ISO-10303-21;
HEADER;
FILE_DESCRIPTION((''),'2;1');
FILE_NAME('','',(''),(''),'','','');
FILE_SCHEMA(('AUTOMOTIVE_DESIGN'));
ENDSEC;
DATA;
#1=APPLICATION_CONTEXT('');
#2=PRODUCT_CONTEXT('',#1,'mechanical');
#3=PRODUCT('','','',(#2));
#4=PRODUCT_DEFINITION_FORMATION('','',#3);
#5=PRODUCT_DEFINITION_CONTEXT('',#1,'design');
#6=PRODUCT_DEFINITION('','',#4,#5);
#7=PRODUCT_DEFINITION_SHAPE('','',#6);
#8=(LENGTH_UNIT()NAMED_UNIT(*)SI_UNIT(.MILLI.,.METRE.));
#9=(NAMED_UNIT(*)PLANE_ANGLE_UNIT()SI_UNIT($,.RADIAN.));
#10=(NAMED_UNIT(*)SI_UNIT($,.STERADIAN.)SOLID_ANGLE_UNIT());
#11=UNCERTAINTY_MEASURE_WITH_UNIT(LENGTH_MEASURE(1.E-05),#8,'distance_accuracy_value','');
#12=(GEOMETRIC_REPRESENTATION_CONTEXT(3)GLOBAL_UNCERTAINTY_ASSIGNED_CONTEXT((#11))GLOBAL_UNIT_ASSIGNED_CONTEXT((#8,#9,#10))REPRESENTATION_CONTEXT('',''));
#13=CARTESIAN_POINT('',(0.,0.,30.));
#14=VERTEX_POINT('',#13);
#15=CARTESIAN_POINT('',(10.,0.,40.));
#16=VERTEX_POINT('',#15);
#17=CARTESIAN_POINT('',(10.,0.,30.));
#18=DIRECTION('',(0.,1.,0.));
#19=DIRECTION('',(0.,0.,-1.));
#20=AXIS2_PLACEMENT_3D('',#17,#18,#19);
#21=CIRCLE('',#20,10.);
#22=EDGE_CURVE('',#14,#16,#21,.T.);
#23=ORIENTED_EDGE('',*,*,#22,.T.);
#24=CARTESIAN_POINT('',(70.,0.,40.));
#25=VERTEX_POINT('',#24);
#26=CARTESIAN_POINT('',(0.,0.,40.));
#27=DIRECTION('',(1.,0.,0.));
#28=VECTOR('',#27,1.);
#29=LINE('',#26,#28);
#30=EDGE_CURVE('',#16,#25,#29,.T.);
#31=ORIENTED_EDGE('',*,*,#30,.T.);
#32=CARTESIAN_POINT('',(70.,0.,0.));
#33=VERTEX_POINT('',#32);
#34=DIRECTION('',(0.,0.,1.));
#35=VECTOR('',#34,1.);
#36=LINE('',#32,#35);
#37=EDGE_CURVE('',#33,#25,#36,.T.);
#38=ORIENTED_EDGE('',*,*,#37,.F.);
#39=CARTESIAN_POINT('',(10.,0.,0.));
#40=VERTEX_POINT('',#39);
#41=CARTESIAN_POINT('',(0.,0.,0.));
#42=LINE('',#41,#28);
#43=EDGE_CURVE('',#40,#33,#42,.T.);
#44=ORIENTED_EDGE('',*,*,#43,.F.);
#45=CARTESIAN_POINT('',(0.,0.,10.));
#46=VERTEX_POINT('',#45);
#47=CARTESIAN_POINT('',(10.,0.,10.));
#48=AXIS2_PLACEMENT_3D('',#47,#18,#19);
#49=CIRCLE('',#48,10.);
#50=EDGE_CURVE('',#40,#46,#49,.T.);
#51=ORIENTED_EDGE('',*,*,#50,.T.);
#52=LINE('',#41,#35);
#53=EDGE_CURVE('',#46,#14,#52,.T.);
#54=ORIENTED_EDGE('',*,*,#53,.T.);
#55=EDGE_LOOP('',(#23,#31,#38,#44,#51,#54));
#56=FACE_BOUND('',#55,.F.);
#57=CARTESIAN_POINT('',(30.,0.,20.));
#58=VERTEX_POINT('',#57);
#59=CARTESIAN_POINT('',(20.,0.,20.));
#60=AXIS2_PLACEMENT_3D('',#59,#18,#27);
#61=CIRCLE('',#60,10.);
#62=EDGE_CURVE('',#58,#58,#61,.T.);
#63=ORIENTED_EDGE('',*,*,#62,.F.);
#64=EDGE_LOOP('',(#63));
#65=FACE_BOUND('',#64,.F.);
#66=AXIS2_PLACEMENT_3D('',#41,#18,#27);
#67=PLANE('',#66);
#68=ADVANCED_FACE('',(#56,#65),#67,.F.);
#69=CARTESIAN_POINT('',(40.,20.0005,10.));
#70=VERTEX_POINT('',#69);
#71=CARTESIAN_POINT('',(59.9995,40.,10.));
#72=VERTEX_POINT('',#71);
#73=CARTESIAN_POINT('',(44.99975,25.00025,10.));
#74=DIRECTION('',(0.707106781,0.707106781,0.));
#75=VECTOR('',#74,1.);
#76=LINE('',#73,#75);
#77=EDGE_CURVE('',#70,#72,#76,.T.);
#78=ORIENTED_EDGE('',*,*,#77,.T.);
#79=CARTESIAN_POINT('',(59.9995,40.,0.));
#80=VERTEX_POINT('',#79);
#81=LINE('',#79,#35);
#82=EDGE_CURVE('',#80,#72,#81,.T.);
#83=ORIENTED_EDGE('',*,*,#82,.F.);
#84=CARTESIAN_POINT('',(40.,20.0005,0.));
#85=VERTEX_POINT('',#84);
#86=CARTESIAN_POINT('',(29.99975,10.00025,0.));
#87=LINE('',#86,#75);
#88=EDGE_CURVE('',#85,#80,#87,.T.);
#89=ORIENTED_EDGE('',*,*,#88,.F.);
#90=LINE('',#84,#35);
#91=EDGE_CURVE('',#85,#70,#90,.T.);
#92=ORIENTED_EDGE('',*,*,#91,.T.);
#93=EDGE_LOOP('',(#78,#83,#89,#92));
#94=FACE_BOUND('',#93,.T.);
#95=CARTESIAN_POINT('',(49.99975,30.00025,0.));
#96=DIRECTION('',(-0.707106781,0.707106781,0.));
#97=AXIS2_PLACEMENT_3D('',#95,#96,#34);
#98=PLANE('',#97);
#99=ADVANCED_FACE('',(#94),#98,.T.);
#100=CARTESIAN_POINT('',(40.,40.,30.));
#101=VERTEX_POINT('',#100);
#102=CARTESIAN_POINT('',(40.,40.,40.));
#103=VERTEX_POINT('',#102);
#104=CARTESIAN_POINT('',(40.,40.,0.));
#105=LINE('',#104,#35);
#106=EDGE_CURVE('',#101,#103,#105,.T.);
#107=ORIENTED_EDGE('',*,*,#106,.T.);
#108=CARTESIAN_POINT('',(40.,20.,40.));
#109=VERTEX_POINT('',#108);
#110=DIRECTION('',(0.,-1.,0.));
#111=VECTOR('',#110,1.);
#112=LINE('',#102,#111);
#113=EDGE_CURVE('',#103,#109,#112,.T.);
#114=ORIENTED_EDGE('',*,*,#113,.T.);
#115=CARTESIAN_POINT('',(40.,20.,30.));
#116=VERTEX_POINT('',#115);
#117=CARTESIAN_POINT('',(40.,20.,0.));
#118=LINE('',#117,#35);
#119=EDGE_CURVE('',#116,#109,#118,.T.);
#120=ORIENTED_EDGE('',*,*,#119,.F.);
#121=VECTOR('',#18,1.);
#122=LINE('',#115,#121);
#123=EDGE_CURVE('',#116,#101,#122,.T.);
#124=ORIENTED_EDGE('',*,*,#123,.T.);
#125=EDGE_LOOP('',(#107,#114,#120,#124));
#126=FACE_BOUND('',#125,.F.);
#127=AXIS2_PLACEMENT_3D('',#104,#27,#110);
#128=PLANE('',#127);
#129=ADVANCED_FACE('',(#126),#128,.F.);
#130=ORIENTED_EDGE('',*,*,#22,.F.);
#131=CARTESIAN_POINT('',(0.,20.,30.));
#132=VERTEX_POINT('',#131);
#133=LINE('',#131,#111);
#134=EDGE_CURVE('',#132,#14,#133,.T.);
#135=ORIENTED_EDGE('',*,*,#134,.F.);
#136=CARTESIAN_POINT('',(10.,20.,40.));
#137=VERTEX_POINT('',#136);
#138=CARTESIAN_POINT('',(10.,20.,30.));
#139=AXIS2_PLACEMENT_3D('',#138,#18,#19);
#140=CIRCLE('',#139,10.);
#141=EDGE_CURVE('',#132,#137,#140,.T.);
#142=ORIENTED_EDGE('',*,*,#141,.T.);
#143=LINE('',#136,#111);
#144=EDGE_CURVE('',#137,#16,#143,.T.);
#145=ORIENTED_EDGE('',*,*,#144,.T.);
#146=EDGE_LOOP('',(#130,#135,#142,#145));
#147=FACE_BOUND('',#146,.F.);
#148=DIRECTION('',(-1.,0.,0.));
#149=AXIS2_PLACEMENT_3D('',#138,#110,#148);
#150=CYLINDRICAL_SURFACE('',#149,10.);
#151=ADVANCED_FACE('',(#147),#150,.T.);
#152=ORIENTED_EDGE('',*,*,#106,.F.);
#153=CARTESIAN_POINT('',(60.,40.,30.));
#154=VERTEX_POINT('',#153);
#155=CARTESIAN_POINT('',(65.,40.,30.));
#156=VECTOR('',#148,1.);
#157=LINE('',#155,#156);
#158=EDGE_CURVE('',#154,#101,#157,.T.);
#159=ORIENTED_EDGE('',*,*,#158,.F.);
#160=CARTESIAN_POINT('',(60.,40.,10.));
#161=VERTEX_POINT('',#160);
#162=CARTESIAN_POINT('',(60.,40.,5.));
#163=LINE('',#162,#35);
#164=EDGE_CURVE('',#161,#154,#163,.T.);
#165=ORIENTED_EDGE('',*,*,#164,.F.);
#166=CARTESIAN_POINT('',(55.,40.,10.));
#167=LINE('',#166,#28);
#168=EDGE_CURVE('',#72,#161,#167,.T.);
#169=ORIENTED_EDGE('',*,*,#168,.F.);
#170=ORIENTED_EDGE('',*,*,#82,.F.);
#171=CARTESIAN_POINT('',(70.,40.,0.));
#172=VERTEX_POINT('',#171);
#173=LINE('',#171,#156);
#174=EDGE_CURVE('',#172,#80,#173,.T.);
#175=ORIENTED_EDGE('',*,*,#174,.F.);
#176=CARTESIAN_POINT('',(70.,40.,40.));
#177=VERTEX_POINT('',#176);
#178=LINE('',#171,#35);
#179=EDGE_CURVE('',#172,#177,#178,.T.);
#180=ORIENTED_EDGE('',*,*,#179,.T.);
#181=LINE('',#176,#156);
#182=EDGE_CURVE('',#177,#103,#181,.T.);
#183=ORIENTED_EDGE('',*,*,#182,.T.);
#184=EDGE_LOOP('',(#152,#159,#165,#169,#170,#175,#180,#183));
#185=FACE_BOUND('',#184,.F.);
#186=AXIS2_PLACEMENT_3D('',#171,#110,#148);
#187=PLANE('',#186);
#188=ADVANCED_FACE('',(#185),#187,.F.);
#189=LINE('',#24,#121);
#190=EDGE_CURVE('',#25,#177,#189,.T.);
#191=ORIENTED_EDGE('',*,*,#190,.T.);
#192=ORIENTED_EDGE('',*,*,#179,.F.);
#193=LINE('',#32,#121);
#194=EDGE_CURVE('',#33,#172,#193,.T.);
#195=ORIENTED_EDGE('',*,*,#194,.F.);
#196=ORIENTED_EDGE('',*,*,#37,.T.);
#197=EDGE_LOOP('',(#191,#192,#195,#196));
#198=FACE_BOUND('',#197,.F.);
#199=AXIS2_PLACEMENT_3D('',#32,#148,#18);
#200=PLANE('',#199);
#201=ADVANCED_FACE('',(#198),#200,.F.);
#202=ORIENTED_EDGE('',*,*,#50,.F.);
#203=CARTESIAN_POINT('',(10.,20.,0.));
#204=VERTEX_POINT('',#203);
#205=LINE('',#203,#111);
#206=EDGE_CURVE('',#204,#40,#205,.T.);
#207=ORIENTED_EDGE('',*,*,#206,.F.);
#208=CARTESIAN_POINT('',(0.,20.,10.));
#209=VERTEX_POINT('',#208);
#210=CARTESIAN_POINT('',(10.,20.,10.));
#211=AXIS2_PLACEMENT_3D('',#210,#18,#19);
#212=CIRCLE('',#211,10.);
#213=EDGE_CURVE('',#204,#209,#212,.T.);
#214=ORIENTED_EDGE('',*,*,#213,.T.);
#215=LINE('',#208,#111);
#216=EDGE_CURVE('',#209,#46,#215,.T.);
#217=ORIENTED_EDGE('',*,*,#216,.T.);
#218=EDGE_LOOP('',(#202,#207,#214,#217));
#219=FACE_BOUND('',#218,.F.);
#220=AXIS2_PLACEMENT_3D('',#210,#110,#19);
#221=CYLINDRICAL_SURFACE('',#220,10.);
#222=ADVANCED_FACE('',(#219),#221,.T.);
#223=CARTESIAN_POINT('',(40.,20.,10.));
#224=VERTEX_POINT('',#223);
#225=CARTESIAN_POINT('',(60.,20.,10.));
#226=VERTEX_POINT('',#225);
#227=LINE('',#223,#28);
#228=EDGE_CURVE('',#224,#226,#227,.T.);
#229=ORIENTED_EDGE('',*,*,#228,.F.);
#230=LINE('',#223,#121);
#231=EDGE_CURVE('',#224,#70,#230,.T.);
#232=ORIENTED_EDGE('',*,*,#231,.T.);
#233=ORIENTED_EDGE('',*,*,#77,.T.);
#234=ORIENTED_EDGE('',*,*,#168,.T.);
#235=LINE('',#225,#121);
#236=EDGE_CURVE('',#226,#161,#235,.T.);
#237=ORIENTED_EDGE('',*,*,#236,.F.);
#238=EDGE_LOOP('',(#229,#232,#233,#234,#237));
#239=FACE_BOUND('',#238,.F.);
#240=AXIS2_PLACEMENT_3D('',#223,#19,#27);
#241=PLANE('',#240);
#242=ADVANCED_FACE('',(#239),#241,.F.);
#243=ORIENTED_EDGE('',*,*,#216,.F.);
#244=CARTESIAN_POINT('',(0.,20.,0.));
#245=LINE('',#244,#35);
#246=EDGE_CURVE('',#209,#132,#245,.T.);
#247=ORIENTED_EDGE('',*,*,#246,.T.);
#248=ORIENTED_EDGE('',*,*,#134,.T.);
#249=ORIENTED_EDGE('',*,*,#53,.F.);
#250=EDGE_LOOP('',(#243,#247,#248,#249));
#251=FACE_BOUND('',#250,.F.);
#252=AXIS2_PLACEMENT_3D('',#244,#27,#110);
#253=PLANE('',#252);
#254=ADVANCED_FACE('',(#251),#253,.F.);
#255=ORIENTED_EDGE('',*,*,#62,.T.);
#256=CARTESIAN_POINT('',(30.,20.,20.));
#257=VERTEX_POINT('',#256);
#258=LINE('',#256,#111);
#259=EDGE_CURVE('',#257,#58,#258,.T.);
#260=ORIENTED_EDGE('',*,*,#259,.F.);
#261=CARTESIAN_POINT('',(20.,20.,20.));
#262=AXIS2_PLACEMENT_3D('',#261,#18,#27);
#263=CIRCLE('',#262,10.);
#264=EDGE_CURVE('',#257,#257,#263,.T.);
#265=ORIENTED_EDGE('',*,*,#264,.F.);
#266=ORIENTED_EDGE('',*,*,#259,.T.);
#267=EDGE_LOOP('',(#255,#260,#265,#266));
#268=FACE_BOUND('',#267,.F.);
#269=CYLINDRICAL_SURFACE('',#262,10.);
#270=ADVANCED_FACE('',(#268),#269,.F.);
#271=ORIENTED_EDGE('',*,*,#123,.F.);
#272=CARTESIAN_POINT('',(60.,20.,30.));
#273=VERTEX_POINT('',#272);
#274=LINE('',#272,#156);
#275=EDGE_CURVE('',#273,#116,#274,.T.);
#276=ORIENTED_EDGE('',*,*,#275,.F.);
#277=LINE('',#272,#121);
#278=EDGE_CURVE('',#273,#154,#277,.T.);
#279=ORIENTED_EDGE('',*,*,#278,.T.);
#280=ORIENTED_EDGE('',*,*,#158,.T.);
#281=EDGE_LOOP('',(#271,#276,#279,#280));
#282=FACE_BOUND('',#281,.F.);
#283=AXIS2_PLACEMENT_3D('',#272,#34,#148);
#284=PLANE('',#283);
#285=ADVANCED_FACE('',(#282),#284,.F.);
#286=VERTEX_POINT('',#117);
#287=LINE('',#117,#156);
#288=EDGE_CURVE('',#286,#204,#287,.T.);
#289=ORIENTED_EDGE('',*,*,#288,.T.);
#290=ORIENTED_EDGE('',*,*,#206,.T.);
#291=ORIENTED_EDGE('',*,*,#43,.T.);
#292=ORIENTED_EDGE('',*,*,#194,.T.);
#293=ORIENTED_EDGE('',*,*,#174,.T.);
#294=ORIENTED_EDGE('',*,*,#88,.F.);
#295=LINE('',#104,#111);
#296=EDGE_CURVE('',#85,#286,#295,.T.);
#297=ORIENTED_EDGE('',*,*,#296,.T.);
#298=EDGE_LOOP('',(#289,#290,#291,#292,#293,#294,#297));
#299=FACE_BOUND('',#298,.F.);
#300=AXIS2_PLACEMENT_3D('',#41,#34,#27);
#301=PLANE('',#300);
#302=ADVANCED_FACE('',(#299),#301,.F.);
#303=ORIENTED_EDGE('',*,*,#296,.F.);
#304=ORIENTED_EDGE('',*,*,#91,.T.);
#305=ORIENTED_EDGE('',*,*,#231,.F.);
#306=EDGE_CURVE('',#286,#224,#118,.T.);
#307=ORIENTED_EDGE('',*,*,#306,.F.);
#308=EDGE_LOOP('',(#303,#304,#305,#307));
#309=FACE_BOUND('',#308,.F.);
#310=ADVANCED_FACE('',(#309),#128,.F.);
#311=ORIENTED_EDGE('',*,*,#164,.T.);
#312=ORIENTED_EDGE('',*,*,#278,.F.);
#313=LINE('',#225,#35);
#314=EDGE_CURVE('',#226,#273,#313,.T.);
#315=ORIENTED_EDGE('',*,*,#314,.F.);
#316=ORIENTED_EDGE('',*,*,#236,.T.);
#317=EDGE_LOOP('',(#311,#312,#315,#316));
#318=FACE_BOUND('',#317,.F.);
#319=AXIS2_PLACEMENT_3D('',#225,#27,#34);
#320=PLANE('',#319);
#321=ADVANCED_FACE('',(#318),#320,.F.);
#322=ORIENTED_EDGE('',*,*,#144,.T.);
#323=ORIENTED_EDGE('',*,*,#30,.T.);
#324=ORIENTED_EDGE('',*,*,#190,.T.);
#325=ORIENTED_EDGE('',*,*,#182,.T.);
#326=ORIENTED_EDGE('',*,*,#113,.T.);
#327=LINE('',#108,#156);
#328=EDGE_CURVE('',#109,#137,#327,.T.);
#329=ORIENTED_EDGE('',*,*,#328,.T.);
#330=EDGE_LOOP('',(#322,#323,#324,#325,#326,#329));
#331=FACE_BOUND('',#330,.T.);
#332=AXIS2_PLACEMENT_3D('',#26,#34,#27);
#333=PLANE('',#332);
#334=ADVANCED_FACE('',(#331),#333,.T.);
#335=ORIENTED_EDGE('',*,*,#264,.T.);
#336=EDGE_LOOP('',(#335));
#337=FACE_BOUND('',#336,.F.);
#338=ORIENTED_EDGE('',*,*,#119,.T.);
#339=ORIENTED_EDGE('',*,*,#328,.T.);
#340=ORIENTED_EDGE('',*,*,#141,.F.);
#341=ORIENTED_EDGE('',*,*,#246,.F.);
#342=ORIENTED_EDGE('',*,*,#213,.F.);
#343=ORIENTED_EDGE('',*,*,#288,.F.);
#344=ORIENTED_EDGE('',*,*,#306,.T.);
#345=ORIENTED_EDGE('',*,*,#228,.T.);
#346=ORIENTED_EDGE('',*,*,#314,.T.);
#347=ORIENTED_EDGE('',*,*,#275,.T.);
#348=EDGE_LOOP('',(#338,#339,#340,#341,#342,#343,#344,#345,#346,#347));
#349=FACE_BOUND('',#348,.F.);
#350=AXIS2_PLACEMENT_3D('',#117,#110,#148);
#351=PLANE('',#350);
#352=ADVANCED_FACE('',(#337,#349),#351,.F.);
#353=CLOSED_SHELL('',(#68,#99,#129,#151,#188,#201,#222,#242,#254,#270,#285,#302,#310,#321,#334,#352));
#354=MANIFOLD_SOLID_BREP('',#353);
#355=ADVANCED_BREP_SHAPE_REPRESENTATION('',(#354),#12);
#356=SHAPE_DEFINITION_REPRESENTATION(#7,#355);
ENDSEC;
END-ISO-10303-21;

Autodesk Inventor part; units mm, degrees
ref_plane "YZ Plane" through (0, 0, 0) normal (1, 0, 0) x (0, 1, 0)
ref_plane "XZ Plane" through (0, 0, 0) normal (0, 1, 0) x (-1, 0, 0)
ref_plane "XY Plane" through (0, 0, 0) normal (0, 0, 1) x (1, 0, 0)
sketch "Sketch1" plane through (0, 0, 0) normal (0, 0, 1) x (1, 0, 0)
  line L0 (0, 0) -> (70, 0)
  line L1 (70, 0) -> (70, 40)
  line L2 (70, 40) -> (40, 40)
  line L3 (40, 40) -> (40, 20)
  line L4 (40, 20) -> (0, 20)
  line L5 (0, 20) -> (0, 0)
  dimension "d0" = 70
  dimension "d1" = 40
  dimension "d2" = 30
  dimension "d3" = 20
extrude "Extrusion1" add sketch "Sketch1" along normal blind 40
sketch "Sketch2" plane through (0, 20, 0) normal (0, 1, 0) x (1, 0, 0)
  line L0 (40, 0) -> (40, -40) projected
  circle A0 centre (20, -20) radius 10
  line L1 (70, 0) -> (70, -40) projected
  line L2 (40, 0) -> (40, -40) projected
  line L3 (40, -10) -> (60, -10)
  line L4 (60, -10) -> (60, -30)
  line L5 (60, -30) -> (40, -30)
  point P0 (40, -20)
  point P1 (60, -20)
  point P2 (40, -20)
  dimension "d6" = 20
  dimension "d7" = 50
  dimension "d8" = 20
  dimension "d9" = 20
extrude "Extrusion2" cut sketch "Sketch2" against normal up to next contours A0
extrude "Extrusion3" cut sketch "Sketch2" along normal through all contours L3 L4 L5 L0
chamfer "Chamfer1" distance 20 angle 45 1 edges at (40, 40, 5)
fillet "Fillet1" radius 10 2 edges at (0, 10, 40) (0, 10, 0)
properties part number "b1"
